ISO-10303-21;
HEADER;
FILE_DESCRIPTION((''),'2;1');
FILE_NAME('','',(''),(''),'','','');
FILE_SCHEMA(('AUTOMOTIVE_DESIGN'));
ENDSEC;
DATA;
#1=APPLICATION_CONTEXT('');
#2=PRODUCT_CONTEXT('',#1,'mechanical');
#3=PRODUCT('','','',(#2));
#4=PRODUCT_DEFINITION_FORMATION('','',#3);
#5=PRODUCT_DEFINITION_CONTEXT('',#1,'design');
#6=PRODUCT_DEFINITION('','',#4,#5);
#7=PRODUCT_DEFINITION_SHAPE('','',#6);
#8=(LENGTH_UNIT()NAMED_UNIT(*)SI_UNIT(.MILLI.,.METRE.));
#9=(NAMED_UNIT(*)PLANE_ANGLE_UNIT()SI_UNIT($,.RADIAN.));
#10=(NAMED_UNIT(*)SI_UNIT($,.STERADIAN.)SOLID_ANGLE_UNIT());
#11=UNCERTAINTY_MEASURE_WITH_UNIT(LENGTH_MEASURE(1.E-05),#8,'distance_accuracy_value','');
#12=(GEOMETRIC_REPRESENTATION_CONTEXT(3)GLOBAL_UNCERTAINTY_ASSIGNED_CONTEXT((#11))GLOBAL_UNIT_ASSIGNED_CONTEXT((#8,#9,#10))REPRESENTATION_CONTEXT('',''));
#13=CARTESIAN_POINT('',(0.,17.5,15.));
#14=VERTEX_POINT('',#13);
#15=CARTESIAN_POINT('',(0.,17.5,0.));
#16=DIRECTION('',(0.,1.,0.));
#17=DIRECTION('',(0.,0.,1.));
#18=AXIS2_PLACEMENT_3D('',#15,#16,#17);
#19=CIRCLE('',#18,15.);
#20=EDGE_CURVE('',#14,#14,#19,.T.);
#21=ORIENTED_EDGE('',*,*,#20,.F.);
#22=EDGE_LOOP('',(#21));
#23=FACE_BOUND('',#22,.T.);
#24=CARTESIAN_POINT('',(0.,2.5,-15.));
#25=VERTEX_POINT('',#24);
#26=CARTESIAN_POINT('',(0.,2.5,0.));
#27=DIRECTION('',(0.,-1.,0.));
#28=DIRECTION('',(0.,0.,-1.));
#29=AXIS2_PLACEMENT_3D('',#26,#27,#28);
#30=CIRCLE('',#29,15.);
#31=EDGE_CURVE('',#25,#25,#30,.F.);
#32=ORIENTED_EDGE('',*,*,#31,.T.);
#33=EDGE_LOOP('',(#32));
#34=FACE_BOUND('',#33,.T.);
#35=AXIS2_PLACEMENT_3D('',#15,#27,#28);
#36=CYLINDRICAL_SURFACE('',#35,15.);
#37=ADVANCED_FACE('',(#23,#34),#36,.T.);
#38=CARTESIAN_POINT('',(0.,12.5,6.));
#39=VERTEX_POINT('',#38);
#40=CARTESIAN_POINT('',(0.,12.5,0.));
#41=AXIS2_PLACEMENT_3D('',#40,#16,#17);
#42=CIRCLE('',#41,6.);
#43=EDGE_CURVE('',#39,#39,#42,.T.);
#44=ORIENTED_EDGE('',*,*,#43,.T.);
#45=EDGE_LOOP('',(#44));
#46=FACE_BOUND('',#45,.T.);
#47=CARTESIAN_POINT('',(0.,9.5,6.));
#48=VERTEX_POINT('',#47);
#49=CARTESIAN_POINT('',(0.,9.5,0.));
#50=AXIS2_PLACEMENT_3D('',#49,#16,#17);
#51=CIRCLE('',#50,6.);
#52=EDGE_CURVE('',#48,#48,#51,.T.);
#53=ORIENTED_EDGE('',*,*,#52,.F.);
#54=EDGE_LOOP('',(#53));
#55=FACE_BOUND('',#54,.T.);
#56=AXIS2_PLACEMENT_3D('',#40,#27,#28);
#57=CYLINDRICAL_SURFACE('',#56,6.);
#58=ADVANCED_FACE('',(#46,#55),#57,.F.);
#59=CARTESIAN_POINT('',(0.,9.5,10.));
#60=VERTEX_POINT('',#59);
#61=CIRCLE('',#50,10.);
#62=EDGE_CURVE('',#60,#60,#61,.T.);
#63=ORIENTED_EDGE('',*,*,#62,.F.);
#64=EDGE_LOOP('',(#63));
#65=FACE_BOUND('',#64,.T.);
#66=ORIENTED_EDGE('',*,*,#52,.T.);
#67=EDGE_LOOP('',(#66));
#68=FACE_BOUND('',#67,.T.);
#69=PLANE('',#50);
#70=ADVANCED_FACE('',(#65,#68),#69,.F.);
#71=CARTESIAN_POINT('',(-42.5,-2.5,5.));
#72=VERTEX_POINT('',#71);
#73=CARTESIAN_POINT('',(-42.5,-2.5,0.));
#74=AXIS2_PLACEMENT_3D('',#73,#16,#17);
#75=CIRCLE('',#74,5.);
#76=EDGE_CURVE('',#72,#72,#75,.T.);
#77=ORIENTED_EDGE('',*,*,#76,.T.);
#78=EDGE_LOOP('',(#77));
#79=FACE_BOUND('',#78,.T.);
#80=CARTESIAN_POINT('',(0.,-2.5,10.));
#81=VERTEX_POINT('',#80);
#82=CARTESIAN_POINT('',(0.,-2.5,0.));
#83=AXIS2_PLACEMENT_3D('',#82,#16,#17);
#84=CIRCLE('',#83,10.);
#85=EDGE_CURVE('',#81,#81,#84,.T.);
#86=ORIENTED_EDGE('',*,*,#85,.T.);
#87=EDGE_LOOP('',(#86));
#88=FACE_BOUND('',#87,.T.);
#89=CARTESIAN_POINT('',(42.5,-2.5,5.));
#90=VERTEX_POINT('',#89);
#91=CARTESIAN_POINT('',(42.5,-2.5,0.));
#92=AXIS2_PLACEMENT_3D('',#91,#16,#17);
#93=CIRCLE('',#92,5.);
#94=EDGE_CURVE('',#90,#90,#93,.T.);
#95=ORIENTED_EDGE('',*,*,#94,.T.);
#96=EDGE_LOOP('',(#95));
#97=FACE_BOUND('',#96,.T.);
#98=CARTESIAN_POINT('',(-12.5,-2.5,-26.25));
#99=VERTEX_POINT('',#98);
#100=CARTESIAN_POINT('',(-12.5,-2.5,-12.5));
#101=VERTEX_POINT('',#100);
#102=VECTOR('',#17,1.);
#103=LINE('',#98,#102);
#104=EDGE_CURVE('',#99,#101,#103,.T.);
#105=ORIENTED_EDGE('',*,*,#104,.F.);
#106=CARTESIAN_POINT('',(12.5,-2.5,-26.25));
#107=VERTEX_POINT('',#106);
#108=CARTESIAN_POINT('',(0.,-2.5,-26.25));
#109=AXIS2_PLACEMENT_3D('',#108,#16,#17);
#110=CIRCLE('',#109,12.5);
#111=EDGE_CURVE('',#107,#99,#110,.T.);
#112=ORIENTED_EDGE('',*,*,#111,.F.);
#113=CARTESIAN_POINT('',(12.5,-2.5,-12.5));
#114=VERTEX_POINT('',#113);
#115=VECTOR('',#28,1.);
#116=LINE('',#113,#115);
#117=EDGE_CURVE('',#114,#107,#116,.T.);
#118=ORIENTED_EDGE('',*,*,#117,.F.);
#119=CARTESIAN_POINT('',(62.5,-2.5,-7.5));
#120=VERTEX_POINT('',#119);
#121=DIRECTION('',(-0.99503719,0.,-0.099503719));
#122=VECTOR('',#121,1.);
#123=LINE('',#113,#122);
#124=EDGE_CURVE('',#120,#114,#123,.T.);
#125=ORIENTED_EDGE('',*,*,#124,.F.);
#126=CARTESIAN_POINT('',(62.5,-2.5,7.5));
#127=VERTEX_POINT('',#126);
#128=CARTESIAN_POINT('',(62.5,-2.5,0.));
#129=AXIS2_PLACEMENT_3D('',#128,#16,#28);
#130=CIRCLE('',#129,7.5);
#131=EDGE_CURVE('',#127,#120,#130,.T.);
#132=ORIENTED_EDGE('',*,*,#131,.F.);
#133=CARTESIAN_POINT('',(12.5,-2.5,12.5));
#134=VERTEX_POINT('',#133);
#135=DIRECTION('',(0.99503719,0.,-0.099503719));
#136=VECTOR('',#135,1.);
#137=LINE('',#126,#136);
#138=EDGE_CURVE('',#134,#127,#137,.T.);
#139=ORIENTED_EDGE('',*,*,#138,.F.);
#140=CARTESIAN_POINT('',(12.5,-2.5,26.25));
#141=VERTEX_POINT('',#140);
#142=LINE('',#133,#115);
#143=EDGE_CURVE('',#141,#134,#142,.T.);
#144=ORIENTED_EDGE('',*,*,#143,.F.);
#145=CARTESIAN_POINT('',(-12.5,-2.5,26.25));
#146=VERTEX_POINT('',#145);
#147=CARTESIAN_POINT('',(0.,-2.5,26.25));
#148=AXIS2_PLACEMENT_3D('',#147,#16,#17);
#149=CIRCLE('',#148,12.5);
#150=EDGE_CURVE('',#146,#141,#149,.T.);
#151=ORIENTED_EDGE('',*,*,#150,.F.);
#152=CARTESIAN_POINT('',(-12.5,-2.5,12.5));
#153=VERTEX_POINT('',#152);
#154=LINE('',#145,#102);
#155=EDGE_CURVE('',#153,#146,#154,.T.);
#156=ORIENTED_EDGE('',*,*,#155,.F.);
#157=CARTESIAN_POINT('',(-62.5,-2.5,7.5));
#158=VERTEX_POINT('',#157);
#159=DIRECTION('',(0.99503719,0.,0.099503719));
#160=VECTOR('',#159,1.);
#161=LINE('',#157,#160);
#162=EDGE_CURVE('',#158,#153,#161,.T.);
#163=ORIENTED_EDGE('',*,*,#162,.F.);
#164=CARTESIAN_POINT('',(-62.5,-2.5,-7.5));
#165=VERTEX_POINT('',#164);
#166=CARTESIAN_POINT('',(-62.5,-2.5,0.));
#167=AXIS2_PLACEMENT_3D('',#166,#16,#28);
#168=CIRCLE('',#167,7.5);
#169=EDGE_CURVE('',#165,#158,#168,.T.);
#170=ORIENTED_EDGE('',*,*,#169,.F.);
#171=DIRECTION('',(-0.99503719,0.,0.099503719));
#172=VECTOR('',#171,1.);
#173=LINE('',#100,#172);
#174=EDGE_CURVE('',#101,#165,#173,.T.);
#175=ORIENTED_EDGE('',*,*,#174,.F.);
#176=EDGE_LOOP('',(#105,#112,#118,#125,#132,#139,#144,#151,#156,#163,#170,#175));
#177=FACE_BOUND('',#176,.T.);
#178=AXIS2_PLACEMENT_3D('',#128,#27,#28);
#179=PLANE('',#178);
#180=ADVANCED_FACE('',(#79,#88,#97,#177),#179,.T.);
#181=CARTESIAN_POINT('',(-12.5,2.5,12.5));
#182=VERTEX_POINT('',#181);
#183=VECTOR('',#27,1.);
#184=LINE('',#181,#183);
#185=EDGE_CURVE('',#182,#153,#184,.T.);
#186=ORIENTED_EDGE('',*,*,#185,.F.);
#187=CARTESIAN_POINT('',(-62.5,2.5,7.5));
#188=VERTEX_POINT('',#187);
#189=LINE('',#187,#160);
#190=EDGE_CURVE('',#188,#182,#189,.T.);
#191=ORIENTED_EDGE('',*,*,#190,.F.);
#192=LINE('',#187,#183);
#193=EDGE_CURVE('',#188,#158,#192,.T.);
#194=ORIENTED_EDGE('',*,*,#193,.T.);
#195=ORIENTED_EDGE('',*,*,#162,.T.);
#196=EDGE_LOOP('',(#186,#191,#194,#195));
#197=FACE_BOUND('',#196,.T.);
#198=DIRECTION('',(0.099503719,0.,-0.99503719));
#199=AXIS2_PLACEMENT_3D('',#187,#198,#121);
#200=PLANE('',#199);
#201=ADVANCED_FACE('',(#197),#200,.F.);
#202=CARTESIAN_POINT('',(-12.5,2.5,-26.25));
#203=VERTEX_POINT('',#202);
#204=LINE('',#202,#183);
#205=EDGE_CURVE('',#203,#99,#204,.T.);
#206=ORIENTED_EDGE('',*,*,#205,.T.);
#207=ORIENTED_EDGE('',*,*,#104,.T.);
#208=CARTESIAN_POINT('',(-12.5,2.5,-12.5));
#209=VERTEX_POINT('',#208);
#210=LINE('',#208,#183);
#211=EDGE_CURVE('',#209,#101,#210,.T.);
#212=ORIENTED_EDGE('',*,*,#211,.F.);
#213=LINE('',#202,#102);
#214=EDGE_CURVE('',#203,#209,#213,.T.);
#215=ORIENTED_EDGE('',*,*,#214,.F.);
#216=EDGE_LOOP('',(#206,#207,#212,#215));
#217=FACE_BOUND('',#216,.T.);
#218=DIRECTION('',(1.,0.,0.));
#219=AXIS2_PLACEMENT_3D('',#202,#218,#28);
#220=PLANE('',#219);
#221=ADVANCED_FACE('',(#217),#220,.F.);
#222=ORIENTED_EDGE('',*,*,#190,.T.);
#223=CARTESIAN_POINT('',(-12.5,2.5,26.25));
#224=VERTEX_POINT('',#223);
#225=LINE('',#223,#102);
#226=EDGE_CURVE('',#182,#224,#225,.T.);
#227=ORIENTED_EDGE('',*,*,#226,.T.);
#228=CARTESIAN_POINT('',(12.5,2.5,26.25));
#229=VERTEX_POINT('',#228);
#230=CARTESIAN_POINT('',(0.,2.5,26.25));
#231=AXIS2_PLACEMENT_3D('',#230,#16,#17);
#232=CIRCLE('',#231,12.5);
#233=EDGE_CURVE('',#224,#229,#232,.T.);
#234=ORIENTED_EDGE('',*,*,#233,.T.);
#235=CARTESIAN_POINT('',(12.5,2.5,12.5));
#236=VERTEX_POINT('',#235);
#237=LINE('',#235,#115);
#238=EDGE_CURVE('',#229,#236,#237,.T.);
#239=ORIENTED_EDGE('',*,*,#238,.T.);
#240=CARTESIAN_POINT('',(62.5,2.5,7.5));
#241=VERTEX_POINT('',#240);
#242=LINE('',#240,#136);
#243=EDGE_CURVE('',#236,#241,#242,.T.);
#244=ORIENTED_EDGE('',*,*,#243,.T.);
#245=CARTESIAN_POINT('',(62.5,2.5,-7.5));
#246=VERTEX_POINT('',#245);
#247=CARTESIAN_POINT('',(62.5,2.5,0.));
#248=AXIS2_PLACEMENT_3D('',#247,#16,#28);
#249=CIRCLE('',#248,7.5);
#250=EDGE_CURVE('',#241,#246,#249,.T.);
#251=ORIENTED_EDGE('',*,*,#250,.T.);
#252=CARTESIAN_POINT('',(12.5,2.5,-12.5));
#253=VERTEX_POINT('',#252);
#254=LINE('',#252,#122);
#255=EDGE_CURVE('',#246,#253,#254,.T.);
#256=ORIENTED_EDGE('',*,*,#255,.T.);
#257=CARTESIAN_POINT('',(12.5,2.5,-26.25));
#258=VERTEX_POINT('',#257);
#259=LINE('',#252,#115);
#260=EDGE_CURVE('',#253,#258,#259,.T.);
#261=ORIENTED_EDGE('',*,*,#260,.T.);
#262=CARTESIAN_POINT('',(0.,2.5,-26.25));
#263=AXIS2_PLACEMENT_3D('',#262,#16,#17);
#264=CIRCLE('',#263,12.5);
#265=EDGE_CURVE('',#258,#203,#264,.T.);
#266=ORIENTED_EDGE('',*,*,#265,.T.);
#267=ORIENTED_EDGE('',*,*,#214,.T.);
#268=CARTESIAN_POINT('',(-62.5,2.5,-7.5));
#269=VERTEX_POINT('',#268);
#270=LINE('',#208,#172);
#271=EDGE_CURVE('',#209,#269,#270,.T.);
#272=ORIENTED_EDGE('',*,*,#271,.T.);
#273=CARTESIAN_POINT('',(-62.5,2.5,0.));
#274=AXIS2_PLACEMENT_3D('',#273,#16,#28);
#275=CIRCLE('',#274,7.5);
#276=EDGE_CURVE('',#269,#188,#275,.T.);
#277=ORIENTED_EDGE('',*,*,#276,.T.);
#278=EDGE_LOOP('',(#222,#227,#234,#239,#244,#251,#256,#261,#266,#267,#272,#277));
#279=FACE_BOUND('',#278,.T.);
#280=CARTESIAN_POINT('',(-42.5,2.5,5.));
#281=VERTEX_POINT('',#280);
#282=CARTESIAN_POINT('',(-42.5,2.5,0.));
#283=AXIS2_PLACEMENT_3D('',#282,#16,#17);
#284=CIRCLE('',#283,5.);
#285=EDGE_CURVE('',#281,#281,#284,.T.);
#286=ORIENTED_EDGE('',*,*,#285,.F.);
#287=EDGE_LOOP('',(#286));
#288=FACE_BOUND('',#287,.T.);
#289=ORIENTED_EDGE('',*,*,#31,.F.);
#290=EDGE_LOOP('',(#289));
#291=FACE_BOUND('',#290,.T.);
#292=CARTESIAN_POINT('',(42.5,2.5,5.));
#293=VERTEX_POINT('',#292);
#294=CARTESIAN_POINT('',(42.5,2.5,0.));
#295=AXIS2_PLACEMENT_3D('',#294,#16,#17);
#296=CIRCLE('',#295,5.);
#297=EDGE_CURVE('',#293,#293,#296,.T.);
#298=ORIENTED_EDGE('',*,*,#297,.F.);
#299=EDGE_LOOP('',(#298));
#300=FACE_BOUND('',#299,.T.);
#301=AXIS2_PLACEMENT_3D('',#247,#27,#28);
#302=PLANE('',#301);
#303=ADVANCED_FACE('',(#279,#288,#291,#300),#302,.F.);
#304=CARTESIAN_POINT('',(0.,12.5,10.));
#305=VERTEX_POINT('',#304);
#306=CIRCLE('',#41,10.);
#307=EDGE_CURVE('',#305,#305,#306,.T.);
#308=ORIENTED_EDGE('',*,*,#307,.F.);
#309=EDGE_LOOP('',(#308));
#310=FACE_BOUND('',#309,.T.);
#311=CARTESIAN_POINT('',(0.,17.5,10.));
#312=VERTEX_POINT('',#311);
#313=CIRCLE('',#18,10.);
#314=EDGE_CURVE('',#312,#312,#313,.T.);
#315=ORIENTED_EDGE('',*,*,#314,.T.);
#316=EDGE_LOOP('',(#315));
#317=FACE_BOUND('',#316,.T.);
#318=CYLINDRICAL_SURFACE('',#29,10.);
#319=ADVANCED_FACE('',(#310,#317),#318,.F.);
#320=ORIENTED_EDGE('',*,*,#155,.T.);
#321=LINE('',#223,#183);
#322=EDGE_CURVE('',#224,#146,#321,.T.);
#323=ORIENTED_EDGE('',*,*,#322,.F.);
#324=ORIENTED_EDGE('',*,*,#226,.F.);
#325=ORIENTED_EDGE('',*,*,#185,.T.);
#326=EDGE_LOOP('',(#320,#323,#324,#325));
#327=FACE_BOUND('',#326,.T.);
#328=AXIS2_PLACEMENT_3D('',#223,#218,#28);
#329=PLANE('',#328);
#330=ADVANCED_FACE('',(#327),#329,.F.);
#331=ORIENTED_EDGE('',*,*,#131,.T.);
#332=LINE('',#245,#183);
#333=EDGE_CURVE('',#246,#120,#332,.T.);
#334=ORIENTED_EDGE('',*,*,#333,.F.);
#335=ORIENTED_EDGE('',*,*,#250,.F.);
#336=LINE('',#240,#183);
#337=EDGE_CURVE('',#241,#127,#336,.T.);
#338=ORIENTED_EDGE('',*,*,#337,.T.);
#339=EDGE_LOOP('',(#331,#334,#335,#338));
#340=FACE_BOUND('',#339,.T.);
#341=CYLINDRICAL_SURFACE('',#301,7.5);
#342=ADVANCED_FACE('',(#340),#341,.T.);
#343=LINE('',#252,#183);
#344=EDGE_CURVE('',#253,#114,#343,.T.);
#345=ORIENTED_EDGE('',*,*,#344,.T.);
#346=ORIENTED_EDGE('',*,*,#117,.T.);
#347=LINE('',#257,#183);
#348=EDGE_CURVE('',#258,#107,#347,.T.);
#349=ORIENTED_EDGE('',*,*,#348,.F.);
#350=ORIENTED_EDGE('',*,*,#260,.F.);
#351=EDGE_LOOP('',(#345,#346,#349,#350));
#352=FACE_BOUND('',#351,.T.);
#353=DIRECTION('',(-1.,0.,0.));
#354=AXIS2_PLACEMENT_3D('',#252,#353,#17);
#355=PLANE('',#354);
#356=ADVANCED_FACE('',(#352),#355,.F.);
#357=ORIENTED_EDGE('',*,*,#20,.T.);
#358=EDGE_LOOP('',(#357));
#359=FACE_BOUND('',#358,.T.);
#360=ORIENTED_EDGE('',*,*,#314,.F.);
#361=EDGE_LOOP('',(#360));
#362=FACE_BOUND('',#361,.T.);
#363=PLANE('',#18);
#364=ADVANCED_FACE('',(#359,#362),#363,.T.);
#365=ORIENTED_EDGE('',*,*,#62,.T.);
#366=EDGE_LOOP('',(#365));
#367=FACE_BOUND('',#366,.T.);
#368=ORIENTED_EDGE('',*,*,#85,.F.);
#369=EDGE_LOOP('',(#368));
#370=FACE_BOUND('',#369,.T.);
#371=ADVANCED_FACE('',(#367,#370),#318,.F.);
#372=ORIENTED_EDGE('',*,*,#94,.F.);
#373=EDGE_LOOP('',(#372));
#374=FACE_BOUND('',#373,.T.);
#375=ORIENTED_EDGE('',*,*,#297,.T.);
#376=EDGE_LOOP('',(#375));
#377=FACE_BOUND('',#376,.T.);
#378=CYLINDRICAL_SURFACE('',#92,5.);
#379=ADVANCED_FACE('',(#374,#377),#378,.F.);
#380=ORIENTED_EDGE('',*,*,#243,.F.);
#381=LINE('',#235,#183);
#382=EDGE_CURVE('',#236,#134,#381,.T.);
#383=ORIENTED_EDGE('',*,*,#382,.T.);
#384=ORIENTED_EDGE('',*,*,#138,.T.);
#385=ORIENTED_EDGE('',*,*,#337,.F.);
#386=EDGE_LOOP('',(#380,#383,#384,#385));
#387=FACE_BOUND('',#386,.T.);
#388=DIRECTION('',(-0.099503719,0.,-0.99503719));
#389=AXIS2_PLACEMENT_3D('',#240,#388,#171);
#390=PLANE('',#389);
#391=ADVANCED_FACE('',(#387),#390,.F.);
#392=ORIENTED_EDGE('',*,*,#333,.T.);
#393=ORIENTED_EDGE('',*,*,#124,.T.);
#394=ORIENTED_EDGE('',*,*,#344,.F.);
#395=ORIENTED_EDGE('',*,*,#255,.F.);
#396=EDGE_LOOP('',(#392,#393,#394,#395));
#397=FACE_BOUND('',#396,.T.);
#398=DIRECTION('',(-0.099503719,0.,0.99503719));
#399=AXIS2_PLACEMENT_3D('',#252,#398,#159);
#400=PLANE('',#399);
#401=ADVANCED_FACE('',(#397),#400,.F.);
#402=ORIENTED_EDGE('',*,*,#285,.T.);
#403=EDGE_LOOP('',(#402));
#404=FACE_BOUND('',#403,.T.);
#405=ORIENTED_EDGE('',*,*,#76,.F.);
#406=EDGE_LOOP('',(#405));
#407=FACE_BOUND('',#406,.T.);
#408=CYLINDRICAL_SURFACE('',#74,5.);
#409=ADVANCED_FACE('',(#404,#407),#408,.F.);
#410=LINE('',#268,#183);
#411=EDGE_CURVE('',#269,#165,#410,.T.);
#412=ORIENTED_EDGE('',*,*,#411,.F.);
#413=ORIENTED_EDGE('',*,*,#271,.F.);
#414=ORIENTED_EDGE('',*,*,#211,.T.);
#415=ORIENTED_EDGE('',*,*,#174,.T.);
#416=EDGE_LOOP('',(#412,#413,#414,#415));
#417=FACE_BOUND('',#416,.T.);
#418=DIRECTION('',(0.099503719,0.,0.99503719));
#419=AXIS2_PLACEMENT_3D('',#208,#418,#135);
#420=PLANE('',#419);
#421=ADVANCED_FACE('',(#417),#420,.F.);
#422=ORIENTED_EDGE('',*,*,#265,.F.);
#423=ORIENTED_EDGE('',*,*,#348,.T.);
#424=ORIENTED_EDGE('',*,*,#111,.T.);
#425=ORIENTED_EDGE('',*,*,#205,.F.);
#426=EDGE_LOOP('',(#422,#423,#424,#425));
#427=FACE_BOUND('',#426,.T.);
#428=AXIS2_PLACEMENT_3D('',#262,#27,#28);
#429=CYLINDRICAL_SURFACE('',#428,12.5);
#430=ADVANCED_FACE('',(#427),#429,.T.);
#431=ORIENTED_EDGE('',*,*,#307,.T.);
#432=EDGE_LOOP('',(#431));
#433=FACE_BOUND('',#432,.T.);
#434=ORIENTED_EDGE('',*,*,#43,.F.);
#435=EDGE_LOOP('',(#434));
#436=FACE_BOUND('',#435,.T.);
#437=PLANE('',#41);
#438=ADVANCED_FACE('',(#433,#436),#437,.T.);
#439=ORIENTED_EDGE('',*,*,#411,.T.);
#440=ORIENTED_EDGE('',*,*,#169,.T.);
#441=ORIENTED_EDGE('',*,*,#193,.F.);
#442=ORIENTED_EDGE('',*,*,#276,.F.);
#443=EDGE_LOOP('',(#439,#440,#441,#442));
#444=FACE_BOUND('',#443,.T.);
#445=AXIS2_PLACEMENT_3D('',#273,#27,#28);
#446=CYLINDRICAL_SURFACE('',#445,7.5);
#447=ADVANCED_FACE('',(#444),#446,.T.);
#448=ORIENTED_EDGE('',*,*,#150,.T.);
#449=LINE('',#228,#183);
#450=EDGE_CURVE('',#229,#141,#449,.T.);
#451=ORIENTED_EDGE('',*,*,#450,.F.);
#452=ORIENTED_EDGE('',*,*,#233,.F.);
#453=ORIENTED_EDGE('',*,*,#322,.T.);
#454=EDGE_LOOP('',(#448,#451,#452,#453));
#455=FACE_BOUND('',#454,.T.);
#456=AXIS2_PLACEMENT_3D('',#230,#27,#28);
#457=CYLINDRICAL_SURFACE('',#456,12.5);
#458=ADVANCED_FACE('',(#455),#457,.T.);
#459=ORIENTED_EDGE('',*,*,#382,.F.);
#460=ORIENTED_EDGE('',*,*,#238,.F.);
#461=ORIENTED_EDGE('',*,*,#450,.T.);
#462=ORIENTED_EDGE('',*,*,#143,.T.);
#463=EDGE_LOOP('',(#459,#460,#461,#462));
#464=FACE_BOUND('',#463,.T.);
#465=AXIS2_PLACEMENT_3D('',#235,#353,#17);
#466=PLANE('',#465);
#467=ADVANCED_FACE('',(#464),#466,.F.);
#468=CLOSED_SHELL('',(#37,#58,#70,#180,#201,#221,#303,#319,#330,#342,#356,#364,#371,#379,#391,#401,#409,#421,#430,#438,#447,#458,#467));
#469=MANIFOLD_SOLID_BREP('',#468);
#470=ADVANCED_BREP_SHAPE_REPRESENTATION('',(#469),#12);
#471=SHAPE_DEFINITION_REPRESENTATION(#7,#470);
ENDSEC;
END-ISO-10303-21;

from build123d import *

# Parameters (mm, degrees)
SKETCH1_R           = 10
BOSS_EXTRUDE1_DEPTH = 2.5
SKETCH2_R           = 15
SKETCH2_R_2         = 10
BOSS_EXTRUDE2_DEPTH = 15
SKETCH3_R           = 5
CUT_EXTRUDE1_DEPTH  = 82.403700776
BOSS_EXTRUDE3_START = 9.5
SKETCH4_R           = 10
SKETCH4_R_2         = 6
BOSS_EXTRUDE3_DEPTH = 3


with BuildPart() as part:
    # Sketch1 → Boss-Extrude1 (new, symmetric)
    with BuildSketch(Plane(origin=(0, 0, 0), x_dir=(1, 0, 0), z_dir=(0, 1, 0))):
        with BuildLine():
            Line((12.5, 12.5), (12.5, 26.25))
            ThreePointArc((12.5, 26.25), (0, 38.75), (-12.5, 26.25))
            Line((-12.5, 26.25), (-12.5, 12.5))
            Line((-12.5, 12.5), (-62.5, 7.5))
            ThreePointArc((-62.5, 7.5), (-70, 0), (-62.5, -7.5))
            Line((-62.5, -7.5), (-12.5, -12.5))
            Line((-12.5, -12.5), (-12.5, -26.25))
            ThreePointArc((-12.5, -26.25), (0, -38.75), (12.5, -26.25))
            Line((12.5, -26.25), (12.5, -12.5))
            Line((12.5, -12.5), (62.5, -7.5))
            ThreePointArc((62.5, -7.5), (70, 0), (62.5, 7.5))
            Line((62.5, 7.5), (12.5, 12.5))
        make_face()
        with Locations(Location((0, 0, 0), (0, 0, 270))):
            Circle(SKETCH1_R, mode=Mode.SUBTRACT)
    extrude(amount=BOSS_EXTRUDE1_DEPTH, both=True)

    # Sketch2 → Boss-Extrude2 (add)
    with BuildSketch(Plane(origin=(0, 2.5, 0), x_dir=(1, 0, 0), z_dir=(0, 1, 0))):
        with Locations(Location((0, 0, 0), (0, 0, 90))):
            Circle(SKETCH2_R)
        with Locations(Location((0, 0, 0), (0, 0, 270))):
            Circle(SKETCH2_R_2, mode=Mode.SUBTRACT)
    extrude(amount=BOSS_EXTRUDE2_DEPTH)

    # Sketch3 → Cut-Extrude1 (cut, through all)
    with BuildSketch(Plane(origin=(0, 2.5, 0), x_dir=(1, 0, 0), z_dir=(0, 1, 0))):
        with Locations(Location((42.5, 0, 0), (0, 0, 270))):
            Circle(SKETCH3_R)
        with Locations(Location((-42.5, 0, 0), (0, 0, 270))):
            Circle(SKETCH3_R)
    extrude(amount=-CUT_EXTRUDE1_DEPTH, mode=Mode.SUBTRACT)

    # Sketch4 → Boss-Extrude3 (add)
    with BuildSketch(Plane(origin=(0, 0, 0), x_dir=(1, 0, 0), z_dir=(0, 1, 0)).offset(BOSS_EXTRUDE3_START)):
        with Locations(Location((0, 0, 0), (0, 0, 270))):
            Circle(SKETCH4_R)
        with Locations(Location((0, 0, 0), (0, 0, 270))):
            Circle(SKETCH4_R_2, mode=Mode.SUBTRACT)
    extrude(amount=BOSS_EXTRUDE3_DEPTH)


solid = part.part
